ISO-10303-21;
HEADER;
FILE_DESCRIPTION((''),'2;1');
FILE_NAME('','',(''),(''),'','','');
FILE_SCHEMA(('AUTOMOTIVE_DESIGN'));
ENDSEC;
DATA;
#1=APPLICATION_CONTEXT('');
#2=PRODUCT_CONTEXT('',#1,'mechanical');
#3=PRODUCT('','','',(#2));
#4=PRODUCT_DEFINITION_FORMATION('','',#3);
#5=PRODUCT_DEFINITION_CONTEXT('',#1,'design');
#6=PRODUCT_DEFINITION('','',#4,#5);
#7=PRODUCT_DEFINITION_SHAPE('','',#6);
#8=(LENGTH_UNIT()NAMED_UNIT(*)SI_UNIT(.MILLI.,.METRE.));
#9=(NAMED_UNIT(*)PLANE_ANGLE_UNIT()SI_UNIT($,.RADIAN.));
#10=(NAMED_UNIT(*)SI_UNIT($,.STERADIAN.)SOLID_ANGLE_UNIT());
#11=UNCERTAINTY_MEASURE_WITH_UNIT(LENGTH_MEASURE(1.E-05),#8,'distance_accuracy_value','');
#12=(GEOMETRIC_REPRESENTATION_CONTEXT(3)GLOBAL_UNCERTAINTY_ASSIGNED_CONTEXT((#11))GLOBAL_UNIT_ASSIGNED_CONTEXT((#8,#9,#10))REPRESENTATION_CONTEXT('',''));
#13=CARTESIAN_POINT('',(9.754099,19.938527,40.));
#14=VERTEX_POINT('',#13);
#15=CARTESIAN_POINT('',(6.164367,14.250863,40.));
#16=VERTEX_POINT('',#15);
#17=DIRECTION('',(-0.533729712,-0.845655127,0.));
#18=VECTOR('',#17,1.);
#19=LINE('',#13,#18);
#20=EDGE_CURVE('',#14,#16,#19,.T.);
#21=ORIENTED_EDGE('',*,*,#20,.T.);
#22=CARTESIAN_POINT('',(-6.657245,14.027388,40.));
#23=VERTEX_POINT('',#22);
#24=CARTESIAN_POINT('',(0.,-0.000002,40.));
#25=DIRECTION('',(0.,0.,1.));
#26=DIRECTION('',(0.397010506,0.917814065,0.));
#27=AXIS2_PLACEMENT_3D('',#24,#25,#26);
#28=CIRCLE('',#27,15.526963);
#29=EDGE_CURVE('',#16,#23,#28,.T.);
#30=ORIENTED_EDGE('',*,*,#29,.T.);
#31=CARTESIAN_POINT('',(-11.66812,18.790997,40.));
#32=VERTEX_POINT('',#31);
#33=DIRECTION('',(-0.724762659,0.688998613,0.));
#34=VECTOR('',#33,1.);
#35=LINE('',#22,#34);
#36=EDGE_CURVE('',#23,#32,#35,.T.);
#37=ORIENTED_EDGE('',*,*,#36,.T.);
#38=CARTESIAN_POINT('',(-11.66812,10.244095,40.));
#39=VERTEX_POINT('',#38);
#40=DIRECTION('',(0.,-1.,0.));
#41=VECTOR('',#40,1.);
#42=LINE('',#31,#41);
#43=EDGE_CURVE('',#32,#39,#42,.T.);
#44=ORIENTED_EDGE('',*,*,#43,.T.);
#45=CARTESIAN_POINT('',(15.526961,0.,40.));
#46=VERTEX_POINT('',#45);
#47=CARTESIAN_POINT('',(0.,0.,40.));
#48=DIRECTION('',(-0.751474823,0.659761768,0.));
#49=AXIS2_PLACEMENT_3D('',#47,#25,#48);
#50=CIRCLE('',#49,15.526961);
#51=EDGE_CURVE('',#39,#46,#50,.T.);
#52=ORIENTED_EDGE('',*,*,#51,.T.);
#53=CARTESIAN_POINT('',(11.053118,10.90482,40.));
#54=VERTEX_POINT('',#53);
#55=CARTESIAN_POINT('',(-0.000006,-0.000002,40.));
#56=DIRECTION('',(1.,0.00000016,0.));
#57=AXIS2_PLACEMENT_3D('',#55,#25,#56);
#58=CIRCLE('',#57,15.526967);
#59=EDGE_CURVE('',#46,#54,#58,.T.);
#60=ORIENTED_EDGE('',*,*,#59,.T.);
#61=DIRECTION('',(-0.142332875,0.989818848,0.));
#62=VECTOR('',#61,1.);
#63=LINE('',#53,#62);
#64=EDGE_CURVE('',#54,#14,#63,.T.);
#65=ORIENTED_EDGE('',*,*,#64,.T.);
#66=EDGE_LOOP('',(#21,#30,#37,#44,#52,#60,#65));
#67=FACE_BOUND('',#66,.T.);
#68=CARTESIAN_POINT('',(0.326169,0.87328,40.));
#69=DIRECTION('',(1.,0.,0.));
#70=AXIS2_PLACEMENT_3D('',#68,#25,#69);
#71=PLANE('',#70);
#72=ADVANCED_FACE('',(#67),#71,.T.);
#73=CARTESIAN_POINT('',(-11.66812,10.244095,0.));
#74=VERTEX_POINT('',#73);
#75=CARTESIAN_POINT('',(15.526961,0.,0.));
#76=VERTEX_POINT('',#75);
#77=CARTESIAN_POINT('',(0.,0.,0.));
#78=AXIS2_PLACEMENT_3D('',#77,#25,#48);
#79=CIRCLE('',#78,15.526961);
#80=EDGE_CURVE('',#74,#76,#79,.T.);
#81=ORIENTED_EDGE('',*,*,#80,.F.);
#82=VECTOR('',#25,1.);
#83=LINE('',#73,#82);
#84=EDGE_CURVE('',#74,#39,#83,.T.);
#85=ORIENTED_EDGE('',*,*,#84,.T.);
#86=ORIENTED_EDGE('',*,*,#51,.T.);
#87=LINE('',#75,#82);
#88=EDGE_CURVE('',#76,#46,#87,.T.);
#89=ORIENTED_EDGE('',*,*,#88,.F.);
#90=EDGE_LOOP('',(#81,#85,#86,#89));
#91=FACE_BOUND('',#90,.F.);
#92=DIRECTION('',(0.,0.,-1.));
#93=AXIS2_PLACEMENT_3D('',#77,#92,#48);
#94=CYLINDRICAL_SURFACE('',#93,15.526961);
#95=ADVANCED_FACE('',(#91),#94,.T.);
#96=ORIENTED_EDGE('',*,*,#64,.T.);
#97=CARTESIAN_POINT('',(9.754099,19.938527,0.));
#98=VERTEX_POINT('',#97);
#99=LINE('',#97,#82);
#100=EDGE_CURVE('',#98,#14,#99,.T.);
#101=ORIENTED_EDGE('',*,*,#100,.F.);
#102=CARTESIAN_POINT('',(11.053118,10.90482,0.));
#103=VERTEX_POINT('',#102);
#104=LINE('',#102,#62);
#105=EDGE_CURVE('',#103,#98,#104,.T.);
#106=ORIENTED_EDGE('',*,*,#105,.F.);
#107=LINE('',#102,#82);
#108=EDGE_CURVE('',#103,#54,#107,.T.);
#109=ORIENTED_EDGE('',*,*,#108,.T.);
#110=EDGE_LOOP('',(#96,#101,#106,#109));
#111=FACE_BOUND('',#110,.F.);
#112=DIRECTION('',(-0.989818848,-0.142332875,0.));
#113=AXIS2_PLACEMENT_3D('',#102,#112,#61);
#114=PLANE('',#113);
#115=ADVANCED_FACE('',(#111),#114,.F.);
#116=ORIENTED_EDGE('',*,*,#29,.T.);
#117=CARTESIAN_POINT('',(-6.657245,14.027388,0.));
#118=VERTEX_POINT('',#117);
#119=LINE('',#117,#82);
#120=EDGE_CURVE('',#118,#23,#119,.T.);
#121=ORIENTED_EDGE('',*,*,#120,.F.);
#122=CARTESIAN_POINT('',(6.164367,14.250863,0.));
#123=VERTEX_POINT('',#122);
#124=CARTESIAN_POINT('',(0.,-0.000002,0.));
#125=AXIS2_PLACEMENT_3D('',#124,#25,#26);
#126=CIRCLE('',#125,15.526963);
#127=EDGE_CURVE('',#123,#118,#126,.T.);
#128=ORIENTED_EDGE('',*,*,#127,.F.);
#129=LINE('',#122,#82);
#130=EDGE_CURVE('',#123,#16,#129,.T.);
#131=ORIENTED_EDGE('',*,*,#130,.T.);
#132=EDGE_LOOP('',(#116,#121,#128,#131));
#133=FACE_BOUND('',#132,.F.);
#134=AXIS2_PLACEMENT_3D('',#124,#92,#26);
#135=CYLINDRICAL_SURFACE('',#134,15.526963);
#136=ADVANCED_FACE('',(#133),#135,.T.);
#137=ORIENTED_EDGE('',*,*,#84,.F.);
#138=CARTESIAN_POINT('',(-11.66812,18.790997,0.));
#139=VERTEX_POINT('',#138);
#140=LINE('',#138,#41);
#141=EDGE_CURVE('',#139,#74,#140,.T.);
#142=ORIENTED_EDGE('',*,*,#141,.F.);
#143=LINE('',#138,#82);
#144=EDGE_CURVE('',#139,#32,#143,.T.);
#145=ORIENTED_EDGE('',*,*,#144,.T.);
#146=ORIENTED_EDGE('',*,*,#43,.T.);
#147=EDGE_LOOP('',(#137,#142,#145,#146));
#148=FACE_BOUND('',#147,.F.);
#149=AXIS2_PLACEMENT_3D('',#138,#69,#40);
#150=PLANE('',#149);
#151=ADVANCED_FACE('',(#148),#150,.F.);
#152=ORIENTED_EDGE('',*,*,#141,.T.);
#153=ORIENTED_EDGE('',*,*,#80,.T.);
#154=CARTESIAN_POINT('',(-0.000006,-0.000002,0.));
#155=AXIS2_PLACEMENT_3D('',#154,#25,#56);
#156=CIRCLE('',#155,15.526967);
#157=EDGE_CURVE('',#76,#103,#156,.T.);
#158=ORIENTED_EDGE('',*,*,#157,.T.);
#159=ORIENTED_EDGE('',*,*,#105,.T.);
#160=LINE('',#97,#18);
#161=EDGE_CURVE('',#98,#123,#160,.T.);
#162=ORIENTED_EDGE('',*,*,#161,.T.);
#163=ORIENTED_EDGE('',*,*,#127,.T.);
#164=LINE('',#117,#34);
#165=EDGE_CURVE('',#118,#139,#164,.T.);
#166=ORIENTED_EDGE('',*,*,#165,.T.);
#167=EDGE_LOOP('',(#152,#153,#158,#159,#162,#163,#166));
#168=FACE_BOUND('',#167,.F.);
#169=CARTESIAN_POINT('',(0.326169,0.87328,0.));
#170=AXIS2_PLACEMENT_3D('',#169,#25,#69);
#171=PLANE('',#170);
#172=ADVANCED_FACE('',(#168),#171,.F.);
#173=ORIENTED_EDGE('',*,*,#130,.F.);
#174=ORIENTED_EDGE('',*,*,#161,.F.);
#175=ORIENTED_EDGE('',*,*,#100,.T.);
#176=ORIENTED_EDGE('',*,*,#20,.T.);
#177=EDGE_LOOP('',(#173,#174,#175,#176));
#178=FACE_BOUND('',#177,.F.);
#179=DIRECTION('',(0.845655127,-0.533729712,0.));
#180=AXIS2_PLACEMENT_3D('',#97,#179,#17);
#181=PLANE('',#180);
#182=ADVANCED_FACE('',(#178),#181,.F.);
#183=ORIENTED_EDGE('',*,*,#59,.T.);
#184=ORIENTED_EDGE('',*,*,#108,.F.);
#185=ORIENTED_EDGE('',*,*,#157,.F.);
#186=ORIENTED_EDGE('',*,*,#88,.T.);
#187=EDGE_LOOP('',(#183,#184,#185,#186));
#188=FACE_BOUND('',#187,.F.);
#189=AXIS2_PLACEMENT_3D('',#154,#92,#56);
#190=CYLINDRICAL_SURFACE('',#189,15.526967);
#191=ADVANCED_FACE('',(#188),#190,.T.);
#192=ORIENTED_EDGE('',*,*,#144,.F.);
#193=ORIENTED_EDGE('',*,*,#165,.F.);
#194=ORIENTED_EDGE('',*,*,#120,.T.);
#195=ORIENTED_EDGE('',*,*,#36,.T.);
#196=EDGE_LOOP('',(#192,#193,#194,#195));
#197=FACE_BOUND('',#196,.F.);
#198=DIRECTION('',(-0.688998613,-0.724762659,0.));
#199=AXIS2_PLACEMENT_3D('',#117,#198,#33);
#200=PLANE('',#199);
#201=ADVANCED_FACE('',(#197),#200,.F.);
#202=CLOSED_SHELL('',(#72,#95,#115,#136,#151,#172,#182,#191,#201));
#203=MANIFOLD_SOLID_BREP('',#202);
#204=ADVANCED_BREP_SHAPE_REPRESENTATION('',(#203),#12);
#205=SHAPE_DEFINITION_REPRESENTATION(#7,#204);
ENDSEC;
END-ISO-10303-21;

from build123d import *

# Parameters (mm, degrees)
F1_DEPTH = 40


with BuildPart() as f1:
    # F0 (on Top) → F1 (new body)
    with BuildSketch(Plane.XY):
        with BuildLine():
            ThreePointArc((-11.66812, 10.244095), (-5.473393, -14.530261), (15.526961, 0))
            ThreePointArc((15.526961, 0), (14.365024, 5.893436), (11.053118, 10.90482))
            ThreePointArc((11.053118, 10.90482), (8.769803, 12.81316), (6.164367, 14.250863))
            ThreePointArc((6.164367, 14.250863), (-0.270588, 15.524603), (-6.657245, 14.027388))
            ThreePointArc((-6.657245, 14.027388), (-9.355911, 12.391668), (-11.66812, 10.244095))
        make_face()
        with BuildLine():
            Line((-11.66812, 18.790997), (-11.66812, 10.244095))
            ThreePointArc((-11.66812, 10.244095), (-9.355911, 12.391668), (-6.657245, 14.027388))
            Line((-6.657245, 14.027388), (-11.66812, 18.790997))
        make_face()
        with BuildLine():
            ThreePointArc((6.164367, 14.250863), (8.769803, 12.81316), (11.053118, 10.90482))
            Line((11.053118, 10.90482), (9.754099, 19.938527))
            Line((9.754099, 19.938527), (6.164367, 14.250863))
        make_face()
    extrude(amount=F1_DEPTH)


solid = f1.part
